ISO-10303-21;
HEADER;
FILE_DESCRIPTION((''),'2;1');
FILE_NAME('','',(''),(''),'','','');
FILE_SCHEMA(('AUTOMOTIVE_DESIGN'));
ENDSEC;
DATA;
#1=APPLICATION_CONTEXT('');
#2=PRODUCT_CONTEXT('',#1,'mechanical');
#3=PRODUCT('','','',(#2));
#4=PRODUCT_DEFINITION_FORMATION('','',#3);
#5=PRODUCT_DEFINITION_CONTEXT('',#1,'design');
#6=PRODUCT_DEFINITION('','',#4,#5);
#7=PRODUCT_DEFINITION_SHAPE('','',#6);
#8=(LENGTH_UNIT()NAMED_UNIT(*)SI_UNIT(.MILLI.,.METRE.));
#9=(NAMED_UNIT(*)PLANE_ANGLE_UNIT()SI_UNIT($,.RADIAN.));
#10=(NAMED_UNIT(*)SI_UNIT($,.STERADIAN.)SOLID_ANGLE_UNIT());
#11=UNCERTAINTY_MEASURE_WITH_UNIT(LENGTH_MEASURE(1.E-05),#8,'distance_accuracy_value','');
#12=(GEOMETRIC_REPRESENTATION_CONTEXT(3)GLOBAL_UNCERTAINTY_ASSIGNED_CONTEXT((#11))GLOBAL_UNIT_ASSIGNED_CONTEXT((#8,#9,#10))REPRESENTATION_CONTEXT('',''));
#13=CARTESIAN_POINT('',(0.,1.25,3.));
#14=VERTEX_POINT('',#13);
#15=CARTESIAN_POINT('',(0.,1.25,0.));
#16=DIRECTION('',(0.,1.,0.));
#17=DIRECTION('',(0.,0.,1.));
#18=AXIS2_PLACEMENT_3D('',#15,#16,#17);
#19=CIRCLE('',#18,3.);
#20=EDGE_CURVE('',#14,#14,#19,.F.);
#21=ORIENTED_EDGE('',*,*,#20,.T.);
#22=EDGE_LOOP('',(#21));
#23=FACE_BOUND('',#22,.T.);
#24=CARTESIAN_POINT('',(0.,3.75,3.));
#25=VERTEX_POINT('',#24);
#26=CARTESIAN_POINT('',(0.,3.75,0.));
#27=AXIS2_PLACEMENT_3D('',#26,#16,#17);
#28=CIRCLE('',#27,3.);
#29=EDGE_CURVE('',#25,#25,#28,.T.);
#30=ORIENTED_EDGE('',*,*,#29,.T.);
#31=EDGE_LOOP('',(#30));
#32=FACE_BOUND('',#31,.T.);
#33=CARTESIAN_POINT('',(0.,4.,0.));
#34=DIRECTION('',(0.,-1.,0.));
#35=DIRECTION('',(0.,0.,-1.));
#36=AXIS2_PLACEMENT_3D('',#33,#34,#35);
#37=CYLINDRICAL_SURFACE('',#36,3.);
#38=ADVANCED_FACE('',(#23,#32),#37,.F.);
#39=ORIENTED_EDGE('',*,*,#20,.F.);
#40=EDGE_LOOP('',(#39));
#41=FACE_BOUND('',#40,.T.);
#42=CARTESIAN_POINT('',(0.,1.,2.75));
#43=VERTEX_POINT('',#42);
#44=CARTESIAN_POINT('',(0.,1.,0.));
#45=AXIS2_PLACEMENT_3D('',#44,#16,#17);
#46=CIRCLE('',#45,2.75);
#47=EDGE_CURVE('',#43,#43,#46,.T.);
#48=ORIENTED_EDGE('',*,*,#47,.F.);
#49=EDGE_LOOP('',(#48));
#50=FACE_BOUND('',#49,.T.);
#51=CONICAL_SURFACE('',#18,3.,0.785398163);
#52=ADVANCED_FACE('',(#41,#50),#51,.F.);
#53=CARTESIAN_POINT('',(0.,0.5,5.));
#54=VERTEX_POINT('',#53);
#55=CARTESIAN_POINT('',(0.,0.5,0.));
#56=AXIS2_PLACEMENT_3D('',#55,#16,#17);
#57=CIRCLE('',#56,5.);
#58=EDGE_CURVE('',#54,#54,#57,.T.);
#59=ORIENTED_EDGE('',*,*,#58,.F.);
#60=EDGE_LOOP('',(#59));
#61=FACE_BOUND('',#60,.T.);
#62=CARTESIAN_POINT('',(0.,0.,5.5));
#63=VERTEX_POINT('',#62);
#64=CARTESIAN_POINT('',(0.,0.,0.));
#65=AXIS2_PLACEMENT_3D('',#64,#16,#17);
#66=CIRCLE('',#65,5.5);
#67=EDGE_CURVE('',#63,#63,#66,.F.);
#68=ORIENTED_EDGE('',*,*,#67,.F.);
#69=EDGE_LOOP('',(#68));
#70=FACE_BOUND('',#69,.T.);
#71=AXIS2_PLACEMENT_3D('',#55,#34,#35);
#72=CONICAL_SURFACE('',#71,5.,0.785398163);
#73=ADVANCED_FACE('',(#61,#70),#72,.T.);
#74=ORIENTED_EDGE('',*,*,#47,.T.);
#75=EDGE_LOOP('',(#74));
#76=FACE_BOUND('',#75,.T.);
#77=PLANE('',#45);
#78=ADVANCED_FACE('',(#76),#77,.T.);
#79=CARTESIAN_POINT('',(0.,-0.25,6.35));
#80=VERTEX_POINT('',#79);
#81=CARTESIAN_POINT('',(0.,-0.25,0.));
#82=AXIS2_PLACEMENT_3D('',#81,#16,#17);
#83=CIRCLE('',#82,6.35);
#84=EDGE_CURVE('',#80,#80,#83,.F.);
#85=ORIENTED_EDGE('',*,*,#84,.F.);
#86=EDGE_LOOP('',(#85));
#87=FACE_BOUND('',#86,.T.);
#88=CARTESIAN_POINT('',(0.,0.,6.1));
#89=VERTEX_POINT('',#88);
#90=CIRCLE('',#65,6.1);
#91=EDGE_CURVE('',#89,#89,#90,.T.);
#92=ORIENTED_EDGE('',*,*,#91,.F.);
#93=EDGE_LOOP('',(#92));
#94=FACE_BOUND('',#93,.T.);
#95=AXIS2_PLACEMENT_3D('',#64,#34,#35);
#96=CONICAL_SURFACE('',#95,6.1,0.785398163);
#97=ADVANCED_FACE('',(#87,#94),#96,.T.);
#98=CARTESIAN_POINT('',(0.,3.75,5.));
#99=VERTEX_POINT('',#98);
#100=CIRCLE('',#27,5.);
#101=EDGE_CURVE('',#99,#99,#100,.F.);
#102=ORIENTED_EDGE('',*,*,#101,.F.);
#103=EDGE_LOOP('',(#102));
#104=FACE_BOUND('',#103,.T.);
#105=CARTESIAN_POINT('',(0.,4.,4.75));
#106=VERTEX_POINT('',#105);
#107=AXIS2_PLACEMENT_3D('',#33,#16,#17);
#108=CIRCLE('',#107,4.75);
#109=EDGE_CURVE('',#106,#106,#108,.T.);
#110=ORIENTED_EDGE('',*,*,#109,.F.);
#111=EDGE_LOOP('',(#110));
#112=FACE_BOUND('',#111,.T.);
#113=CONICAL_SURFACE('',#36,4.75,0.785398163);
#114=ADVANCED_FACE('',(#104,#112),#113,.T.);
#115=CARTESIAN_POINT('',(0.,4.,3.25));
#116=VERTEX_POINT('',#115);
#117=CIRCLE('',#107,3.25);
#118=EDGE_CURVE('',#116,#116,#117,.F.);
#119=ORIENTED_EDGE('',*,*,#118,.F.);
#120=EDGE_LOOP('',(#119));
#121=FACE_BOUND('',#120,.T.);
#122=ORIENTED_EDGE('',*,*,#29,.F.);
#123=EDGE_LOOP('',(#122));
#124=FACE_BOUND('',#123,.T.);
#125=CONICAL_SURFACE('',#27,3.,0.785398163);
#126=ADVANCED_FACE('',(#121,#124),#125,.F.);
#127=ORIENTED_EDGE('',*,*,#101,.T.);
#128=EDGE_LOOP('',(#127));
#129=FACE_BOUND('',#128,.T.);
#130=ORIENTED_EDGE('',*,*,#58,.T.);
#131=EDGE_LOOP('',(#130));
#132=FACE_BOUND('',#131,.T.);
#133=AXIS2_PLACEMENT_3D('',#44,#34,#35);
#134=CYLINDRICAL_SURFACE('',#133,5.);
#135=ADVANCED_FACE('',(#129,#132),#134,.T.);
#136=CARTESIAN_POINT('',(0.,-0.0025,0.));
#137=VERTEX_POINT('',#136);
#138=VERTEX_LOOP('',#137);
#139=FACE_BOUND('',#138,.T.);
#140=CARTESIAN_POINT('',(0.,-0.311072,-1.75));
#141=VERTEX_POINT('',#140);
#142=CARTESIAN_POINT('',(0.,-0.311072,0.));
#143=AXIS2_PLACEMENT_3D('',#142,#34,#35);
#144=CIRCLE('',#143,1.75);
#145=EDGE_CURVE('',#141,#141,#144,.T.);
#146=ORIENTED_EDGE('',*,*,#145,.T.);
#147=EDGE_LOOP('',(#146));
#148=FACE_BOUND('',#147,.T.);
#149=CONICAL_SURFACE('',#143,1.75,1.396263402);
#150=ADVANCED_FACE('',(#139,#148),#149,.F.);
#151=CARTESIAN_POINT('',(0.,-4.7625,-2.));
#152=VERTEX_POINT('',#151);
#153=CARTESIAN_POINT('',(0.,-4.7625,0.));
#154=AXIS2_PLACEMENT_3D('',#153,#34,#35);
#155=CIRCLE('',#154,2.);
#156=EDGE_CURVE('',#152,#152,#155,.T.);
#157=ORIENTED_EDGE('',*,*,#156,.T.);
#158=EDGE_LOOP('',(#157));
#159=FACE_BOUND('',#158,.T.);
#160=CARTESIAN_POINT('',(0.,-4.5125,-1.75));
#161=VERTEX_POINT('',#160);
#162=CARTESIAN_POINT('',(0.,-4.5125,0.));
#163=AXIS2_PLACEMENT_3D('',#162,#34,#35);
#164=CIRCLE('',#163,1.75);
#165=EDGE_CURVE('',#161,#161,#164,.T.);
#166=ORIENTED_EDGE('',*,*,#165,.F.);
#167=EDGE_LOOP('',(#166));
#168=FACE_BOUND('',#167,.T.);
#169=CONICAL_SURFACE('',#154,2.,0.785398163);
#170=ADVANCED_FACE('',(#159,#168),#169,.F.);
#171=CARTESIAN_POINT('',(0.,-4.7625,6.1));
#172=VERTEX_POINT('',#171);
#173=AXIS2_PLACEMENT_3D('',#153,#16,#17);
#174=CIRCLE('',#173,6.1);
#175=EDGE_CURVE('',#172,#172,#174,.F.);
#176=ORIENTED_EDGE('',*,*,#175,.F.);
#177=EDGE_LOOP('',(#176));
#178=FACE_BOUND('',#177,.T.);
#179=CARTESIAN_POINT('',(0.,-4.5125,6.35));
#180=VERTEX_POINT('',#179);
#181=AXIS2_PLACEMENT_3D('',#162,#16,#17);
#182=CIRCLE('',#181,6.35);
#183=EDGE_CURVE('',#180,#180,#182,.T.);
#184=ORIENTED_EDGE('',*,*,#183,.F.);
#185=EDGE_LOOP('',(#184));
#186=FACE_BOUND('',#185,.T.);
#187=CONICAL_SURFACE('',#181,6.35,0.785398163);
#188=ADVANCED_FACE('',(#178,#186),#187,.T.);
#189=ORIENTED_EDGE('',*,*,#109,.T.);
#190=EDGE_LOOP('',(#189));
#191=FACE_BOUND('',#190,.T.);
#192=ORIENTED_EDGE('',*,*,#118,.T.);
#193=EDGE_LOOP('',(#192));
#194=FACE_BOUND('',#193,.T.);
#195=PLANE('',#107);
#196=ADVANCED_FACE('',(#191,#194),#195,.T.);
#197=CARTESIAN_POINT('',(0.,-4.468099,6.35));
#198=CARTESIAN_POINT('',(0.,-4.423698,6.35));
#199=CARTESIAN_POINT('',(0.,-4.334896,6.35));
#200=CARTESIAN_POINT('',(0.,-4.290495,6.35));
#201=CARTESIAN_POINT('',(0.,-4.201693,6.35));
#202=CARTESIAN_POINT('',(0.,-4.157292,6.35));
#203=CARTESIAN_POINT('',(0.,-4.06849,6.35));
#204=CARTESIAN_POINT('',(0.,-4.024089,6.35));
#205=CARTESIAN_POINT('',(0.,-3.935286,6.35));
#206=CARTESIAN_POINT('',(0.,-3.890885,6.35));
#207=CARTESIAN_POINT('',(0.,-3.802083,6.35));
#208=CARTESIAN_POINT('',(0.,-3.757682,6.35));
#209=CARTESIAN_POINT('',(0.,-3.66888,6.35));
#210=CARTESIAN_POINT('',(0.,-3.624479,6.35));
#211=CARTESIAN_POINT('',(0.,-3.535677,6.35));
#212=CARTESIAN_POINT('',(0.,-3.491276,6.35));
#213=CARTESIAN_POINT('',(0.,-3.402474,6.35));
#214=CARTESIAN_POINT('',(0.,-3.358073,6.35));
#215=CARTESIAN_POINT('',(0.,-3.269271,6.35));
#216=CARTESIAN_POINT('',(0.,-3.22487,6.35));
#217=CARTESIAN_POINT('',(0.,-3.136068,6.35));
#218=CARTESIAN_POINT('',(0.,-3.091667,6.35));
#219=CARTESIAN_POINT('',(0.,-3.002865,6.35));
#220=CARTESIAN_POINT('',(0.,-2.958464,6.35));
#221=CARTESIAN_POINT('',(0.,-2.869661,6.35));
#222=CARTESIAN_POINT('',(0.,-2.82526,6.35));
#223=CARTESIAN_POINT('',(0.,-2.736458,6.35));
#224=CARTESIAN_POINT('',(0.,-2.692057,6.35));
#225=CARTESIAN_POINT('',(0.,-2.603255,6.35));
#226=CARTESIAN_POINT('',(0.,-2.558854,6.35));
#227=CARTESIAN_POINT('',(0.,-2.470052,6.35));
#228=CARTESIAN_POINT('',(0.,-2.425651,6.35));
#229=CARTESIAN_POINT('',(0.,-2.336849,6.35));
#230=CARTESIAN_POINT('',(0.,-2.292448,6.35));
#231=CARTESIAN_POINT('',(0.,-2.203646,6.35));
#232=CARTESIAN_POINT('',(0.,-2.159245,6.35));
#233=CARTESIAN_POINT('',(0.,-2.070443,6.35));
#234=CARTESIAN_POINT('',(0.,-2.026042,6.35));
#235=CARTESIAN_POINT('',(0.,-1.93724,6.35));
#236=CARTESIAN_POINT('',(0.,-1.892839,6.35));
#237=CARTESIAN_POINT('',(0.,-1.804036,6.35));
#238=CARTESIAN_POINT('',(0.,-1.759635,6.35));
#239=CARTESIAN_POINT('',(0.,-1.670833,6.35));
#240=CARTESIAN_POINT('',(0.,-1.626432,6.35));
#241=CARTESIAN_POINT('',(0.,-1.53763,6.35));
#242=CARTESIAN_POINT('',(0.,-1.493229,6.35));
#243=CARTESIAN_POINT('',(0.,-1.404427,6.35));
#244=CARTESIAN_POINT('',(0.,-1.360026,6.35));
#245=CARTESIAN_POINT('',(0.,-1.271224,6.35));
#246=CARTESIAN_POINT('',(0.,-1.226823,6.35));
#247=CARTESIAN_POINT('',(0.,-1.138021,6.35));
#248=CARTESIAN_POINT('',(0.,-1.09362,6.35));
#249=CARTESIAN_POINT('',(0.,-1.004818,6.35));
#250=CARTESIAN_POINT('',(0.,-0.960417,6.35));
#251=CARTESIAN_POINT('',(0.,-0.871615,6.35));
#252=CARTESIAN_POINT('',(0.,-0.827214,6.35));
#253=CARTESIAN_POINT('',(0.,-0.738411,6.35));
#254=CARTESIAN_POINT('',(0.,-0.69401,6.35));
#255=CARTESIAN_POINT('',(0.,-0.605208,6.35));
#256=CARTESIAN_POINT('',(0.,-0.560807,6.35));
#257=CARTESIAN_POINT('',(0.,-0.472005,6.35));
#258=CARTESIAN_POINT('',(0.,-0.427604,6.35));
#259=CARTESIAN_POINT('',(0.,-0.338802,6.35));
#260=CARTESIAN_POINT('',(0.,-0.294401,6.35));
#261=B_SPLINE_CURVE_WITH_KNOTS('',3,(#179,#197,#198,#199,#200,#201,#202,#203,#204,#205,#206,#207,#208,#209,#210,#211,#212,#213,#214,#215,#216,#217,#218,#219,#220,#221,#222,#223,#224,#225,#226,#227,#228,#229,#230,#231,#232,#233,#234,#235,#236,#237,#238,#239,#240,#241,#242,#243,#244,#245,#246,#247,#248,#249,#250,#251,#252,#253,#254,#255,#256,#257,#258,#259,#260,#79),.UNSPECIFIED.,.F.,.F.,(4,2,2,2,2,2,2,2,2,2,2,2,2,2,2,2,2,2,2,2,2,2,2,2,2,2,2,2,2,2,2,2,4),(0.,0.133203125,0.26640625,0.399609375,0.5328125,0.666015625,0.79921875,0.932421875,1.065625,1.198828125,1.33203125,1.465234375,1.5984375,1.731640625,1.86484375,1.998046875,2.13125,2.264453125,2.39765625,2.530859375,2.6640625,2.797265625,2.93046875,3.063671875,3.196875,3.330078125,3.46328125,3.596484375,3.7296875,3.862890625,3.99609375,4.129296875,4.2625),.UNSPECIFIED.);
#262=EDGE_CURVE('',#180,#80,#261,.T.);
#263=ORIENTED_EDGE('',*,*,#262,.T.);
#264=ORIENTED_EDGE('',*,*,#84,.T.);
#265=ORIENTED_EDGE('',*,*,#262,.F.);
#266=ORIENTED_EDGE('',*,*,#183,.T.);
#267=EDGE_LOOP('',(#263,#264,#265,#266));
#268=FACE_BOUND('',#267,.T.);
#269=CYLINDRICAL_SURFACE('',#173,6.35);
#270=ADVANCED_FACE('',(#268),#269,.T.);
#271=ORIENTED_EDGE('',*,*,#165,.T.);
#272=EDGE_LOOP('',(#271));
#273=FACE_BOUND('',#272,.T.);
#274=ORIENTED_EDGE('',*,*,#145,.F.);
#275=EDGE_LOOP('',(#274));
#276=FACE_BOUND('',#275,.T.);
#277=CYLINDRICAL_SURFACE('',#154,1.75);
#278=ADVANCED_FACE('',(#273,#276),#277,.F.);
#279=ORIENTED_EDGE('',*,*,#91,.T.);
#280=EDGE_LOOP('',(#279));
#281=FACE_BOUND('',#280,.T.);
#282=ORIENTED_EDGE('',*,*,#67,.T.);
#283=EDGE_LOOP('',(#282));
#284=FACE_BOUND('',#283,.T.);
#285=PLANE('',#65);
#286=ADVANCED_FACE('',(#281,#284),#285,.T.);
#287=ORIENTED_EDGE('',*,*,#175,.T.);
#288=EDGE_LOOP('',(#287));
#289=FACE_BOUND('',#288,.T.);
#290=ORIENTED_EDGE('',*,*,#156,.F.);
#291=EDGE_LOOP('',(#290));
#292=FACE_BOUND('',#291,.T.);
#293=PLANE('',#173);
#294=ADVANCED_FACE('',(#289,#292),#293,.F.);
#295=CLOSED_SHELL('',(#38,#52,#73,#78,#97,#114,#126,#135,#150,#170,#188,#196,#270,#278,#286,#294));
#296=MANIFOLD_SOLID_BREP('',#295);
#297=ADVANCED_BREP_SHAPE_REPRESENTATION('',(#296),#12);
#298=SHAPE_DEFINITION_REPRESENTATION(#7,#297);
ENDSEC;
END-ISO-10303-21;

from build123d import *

# Parameters (mm, degrees)
SKETCH1_R                            = 5
BOSS_EXTRUDE1_DEPTH                  = 1
SKETCH1_3_R                          = 5
SKETCH1_3_R_2                        = 3
BOSS_EXTRUDE2_DEPTH                  = 4
CHAMFER1_SIZE                        = 0.25
SKETCH5_R                            = 6.35
BOSS_EXTRUDE4_DEPTH                  = 4.7625
F_3_5_3_5_DIAMETER_HOLE1_D           = 3.5
F_3_5_3_5_DIAMETER_HOLE1_DEPTH       = 4.451427784
F_3_5_3_5_DIAMETER_HOLE1_CSINK_D     = 4
F_3_5_3_5_DIAMETER_HOLE1_CSINK_ANGLE = 90
F_3_5_3_5_DIAMETER_HOLE1_TIP         = 0.308572216
CHAMFER2_SIZE                        = 0.25
CHAMFER3_SIZE                        = 0.5


with BuildPart() as part:
    # Sketch1 → Boss-Extrude1 (new body)
    with BuildSketch(Plane(origin=(0, 0, 0), x_dir=(1, 0, 0), z_dir=(0, 1, 0))):
        Circle(SKETCH1_R)
    extrude(amount=BOSS_EXTRUDE1_DEPTH)

    # Sketch1<3> → Boss-Extrude2 (add)
    with BuildSketch(Plane(origin=(0, 0, 0), x_dir=(1, 0, 0), z_dir=(0, 1, 0))):
        Circle(SKETCH1_3_R)
        Circle(SKETCH1_3_R_2, mode=Mode.SUBTRACT)
    extrude(amount=BOSS_EXTRUDE2_DEPTH)

    # Chamfer1
    chamfer1_edges = [part.edges().sort_by_distance(p)[0] for p in [
        (-3, 4, 0),
        (-5, 4, 0),
        (-3, 1, 0),
    ]]
    chamfer(chamfer1_edges, length=CHAMFER1_SIZE)

    # Sketch5 → Boss-Extrude4 (add)
    with BuildSketch(Plane(origin=(0, 0, 0), x_dir=(1, 0, 0), z_dir=(0, 1, 0))):
        Circle(SKETCH5_R)
    extrude(amount=-BOSS_EXTRUDE4_DEPTH)

    # Ø3.5 (3.5) Diameter Hole1
    with Locations(Plane(origin=(0, -4.7625, 0), x_dir=(-1, 0, 0), z_dir=(0, -1, 0))):
        with Locations((0, 0)):
            CounterSinkHole(F_3_5_3_5_DIAMETER_HOLE1_D / 2, F_3_5_3_5_DIAMETER_HOLE1_CSINK_D / 2, depth=F_3_5_3_5_DIAMETER_HOLE1_DEPTH, counter_sink_angle=F_3_5_3_5_DIAMETER_HOLE1_CSINK_ANGLE)
            with Locations((0, 0, -(F_3_5_3_5_DIAMETER_HOLE1_DEPTH + F_3_5_3_5_DIAMETER_HOLE1_TIP / 2))):  # 160° drill point
                Cone(0, F_3_5_3_5_DIAMETER_HOLE1_D / 2, F_3_5_3_5_DIAMETER_HOLE1_TIP, mode=Mode.SUBTRACT)

    # Chamfer2
    chamfer2_edges = [part.edges().sort_by_distance(p)[0] for p in [
        (-6.35, -4.7625, 0),
        (-6.35, 0, 0),
    ]]
    chamfer(chamfer2_edges, length=CHAMFER2_SIZE)

    # Chamfer3
    chamfer3_edges = [part.edges().sort_by_distance(p)[0] for p in [
        (-5, 0, 0),
    ]]
    chamfer(chamfer3_edges, length=CHAMFER3_SIZE)


solid = part.part
